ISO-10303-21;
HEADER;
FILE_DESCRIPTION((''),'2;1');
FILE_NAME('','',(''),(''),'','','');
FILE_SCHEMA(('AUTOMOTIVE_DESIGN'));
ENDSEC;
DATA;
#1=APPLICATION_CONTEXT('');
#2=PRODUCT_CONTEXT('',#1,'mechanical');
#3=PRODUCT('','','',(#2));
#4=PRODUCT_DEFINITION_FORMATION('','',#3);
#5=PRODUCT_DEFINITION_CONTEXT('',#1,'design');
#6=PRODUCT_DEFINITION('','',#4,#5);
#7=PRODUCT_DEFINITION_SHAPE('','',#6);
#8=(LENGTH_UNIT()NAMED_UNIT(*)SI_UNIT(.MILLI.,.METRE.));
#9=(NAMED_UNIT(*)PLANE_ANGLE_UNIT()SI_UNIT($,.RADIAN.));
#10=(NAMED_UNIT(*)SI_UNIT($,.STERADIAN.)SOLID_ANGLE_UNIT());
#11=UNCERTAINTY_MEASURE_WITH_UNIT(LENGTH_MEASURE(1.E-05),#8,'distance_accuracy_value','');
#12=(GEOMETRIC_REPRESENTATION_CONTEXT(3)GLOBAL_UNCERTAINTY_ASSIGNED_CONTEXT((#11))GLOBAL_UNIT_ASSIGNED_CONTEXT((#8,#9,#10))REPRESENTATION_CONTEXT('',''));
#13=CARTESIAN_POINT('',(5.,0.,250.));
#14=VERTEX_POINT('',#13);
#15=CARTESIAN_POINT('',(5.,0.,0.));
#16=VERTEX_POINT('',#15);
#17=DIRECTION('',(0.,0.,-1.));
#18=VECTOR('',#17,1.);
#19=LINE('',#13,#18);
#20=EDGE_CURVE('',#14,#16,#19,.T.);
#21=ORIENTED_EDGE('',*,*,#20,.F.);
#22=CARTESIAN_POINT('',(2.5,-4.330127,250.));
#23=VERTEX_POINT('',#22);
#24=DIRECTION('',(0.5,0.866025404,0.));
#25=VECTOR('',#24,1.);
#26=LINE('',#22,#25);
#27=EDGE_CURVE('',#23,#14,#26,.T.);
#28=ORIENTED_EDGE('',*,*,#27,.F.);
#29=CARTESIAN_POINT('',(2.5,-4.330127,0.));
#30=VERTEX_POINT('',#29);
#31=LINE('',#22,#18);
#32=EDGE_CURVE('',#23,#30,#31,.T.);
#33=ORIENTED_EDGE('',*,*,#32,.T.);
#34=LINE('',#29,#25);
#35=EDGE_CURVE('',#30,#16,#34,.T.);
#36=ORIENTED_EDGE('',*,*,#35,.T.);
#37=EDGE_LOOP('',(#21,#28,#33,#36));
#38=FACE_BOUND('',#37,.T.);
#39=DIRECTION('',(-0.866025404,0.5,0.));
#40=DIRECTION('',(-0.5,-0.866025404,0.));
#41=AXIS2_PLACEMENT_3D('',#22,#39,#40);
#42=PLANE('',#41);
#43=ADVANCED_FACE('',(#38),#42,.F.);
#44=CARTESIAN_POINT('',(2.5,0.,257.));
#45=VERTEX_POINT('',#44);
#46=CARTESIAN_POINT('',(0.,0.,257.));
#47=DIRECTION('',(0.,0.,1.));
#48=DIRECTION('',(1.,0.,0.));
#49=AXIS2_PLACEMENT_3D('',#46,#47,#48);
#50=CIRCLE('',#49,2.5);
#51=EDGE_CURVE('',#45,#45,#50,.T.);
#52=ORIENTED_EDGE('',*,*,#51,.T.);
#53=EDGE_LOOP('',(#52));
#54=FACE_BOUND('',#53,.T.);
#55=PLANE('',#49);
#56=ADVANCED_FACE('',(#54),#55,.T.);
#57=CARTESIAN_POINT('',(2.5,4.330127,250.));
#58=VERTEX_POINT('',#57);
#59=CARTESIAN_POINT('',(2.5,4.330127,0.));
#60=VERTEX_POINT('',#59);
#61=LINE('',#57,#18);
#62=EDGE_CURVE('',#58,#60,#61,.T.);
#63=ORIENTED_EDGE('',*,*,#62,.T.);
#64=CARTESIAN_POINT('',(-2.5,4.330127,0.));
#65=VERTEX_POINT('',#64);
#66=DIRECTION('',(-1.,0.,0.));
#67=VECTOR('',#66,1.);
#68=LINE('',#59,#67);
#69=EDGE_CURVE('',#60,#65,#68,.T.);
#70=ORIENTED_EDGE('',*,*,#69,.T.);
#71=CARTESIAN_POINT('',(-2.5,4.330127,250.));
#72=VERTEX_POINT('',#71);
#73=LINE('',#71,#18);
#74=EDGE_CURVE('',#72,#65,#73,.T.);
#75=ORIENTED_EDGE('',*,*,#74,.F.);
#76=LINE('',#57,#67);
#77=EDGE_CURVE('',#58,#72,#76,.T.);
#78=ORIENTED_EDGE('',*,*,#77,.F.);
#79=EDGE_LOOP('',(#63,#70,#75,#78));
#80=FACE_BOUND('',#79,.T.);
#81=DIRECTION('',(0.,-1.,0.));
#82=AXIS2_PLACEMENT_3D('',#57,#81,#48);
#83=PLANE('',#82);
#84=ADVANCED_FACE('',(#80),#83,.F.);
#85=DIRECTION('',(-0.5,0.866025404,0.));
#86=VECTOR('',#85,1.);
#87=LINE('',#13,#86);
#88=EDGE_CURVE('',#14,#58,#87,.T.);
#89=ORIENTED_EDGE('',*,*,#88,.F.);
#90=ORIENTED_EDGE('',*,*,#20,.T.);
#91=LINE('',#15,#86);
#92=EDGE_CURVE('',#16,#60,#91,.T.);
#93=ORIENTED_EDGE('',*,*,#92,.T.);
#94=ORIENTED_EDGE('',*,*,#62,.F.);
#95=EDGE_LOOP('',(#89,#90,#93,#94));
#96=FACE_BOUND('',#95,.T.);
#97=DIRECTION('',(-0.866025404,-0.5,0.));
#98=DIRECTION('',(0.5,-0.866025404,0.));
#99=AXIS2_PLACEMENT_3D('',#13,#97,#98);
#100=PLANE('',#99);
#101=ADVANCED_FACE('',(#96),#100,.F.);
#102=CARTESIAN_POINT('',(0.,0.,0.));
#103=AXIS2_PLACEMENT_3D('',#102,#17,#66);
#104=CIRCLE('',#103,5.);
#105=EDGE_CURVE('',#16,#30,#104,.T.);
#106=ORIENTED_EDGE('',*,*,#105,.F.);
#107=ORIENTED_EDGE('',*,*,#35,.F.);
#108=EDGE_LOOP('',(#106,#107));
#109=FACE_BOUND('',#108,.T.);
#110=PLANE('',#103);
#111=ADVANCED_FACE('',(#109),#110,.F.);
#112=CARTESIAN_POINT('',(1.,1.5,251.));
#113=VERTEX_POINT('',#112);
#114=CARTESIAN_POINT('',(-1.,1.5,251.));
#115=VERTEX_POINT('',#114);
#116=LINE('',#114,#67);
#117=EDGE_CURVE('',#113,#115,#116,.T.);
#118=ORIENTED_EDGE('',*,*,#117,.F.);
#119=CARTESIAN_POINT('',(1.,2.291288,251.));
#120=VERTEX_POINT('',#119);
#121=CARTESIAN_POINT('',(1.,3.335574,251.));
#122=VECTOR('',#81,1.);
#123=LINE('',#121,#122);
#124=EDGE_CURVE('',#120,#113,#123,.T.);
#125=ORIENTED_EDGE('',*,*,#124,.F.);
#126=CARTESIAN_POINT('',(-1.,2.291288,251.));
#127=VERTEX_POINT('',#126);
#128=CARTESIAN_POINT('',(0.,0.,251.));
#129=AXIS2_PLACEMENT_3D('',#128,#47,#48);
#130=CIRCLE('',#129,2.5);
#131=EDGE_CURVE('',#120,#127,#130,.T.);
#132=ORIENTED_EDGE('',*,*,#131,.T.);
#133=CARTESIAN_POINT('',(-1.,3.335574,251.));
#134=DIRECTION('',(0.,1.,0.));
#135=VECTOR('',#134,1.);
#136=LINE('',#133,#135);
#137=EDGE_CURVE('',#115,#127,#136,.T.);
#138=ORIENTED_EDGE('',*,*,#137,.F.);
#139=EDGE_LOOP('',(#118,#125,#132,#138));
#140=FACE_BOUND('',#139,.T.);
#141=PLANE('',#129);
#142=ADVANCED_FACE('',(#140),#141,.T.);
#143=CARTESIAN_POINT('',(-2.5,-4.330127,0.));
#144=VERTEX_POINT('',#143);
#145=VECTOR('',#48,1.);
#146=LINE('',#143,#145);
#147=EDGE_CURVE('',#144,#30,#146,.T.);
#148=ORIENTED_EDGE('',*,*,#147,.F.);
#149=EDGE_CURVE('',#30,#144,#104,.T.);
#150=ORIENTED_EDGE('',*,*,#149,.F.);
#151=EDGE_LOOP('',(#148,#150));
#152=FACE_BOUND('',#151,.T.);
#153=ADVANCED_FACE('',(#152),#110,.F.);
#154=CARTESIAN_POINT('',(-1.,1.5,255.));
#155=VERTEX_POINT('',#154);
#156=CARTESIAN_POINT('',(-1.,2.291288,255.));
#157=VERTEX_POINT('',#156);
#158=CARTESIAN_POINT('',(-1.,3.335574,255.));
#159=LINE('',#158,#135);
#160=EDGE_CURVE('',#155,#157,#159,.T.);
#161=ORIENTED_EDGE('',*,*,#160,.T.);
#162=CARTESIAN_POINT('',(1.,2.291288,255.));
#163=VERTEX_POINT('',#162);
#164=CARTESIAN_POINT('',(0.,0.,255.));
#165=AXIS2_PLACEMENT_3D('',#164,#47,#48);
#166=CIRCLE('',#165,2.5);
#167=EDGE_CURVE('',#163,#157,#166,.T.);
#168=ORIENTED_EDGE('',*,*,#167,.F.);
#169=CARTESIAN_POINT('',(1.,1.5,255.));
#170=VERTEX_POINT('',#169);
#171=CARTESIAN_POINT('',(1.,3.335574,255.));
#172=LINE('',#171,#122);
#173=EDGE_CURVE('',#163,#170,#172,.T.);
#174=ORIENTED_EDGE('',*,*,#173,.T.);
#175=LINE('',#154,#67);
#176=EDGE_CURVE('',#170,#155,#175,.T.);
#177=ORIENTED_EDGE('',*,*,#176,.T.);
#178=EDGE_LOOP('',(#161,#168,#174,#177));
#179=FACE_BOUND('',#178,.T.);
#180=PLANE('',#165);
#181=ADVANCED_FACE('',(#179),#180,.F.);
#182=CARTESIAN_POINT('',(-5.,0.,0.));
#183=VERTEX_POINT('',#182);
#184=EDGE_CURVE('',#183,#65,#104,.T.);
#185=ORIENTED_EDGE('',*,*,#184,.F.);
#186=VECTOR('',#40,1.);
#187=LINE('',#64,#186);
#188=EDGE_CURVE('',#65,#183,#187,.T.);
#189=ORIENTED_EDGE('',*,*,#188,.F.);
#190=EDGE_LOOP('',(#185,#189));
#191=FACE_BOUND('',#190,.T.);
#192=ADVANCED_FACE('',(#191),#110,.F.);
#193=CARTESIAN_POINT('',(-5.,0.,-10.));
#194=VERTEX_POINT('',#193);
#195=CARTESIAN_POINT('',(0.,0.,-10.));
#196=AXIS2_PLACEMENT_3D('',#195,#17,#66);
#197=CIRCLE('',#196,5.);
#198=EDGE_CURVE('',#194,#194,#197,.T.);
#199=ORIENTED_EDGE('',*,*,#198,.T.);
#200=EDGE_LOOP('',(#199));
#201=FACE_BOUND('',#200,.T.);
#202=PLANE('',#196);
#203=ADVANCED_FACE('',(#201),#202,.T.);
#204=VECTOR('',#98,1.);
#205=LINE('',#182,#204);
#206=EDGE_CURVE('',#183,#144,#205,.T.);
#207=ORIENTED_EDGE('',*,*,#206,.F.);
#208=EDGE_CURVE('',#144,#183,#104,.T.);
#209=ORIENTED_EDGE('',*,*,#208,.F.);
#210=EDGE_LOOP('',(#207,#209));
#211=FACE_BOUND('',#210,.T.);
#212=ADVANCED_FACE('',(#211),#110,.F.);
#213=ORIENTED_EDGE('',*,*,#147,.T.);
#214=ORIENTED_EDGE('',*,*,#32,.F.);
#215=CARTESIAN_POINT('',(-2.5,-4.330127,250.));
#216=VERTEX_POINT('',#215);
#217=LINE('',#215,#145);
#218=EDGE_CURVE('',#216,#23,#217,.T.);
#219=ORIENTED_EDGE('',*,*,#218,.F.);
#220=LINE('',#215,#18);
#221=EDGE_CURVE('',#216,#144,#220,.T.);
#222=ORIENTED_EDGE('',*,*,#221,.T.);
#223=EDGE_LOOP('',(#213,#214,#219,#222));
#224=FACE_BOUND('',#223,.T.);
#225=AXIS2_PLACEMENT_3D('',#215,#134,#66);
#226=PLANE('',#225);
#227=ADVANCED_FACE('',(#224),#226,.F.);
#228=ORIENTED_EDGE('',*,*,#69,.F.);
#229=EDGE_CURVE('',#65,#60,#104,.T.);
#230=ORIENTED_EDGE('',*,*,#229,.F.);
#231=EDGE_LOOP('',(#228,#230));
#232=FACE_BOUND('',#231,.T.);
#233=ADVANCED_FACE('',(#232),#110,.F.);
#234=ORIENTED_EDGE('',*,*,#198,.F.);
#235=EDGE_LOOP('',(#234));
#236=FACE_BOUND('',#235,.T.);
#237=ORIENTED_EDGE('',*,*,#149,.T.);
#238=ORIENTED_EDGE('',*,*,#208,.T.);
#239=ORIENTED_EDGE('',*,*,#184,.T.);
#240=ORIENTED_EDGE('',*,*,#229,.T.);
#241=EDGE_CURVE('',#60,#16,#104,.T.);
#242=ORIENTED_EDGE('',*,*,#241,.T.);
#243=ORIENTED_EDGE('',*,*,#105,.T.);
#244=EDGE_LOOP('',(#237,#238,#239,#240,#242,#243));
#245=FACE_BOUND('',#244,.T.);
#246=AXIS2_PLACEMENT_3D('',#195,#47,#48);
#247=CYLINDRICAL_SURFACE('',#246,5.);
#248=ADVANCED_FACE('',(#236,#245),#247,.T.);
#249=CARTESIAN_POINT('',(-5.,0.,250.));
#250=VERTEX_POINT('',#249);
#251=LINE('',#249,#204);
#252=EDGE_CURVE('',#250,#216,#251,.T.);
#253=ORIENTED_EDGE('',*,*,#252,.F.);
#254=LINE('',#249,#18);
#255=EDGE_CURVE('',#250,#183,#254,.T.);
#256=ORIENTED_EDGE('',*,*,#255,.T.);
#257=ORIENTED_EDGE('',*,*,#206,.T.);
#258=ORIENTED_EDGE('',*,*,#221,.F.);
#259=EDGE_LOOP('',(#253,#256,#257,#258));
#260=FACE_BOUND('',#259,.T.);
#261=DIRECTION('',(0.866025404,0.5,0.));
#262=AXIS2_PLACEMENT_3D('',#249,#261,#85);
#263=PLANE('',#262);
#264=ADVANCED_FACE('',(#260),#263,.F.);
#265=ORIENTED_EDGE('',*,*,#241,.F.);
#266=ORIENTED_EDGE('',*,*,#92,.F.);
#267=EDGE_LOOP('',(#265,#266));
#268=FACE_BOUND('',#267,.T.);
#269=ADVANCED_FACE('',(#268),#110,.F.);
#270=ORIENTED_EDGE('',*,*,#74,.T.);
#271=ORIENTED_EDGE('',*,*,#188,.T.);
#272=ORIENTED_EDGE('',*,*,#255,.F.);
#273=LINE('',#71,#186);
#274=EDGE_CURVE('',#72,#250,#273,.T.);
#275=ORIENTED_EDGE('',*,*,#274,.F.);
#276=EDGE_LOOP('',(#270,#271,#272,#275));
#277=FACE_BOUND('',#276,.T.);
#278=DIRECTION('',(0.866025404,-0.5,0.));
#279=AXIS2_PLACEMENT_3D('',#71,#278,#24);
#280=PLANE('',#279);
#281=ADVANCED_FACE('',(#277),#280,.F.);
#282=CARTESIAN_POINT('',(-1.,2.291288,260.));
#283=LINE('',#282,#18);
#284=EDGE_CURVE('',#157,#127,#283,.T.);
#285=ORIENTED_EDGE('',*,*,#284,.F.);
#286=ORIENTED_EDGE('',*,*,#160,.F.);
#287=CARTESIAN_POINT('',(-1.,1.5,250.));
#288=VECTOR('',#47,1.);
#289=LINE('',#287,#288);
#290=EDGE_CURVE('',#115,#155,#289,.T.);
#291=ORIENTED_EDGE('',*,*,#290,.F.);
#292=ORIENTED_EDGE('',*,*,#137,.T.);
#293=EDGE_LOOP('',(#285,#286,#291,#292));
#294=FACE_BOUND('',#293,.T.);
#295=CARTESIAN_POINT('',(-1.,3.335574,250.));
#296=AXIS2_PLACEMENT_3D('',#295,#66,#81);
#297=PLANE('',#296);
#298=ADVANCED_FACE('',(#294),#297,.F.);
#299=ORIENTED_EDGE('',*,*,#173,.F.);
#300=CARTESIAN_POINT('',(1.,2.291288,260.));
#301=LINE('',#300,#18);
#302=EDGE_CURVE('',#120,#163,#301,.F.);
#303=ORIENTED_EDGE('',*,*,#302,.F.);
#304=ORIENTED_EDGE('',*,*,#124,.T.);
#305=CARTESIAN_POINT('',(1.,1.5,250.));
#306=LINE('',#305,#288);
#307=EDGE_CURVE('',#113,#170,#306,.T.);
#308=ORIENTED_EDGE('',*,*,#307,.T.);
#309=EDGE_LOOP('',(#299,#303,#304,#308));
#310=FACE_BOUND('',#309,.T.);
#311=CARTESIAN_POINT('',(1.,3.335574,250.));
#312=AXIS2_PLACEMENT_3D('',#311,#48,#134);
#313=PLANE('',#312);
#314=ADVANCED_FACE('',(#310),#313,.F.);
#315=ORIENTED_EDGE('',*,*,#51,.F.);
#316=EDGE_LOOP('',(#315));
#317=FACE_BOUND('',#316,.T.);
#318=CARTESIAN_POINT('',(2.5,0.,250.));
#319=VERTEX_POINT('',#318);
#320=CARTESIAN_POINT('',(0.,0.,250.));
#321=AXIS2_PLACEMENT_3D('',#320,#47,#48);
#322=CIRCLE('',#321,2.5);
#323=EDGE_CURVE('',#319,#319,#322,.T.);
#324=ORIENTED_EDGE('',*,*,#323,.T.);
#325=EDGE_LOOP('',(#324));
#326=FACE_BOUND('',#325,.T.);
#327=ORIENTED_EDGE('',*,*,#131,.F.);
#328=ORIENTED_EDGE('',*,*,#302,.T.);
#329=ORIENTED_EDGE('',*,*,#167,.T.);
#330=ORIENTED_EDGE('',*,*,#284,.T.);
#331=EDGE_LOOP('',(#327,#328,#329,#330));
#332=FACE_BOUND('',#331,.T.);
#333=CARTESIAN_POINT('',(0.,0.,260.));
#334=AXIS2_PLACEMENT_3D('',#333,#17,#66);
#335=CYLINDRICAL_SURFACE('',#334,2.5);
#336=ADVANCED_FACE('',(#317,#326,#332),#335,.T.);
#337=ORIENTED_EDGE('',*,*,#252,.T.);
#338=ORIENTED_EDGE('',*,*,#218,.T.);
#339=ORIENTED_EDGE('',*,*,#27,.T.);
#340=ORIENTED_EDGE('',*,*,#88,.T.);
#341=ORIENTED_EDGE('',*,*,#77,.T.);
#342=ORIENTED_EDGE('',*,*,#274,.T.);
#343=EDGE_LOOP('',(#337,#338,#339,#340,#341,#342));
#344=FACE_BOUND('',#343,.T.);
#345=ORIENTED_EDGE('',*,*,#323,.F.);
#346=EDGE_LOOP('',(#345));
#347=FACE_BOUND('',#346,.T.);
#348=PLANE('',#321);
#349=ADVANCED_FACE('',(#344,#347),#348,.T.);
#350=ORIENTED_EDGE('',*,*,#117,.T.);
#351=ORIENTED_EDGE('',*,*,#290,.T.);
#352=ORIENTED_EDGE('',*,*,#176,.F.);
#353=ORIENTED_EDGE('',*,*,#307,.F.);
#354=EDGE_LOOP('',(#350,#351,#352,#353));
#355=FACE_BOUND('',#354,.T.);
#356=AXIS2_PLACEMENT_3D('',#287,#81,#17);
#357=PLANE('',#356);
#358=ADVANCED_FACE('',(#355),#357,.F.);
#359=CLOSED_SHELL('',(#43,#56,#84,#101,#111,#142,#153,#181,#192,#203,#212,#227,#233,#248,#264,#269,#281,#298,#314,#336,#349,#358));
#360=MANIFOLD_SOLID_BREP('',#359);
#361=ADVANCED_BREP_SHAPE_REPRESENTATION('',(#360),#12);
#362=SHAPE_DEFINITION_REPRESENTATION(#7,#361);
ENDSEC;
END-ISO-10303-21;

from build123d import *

# Parameters (mm, degrees)
EXTRUDE_1_DEPTH     = 250
SKETCH_2_R          = 2.5
EXTRUDE_2_DEPTH     = 10
SKETCH_3_R          = 5
EXTRUDE_3_DEPTH     = 10
SKETCH_4_W          = 2
SKETCH_4_H          = 1.835573614
CUT_EXTRUDE_1_DEPTH = 10
EXTRUDE_START       = -5
SKETCH_6_R          = 2.5
EXTRUDE_5_DEPTH     = 5
SKETCH_9_R          = 2.5
EXTRUDE_7_DEPTH     = 5
SKETCH_10_R         = 2.5
CUT_EXTRUDE_3_DEPTH = 3
CUT_EXTRUDE_START   = -3
SKETCH_11_R         = 2.5
CUT_EXTRUDE_4_DEPTH = 3
EXTRUDE_START_2     = -10
SKETCH_12_R         = 5
EXTRUDE_8_DEPTH     = 10
SKETCH_14_R         = 2.5
EXTRUDE_10_DEPTH    = 1


with BuildPart() as part:
    # 草图1 → 凸台-拉伸1 (new body)
    with BuildSketch(Plane.XY):
        Polygon((5, 0), (2.5, 4.330127019), (-2.5, 4.330127019), (-5, 0), (-2.5, -4.330127019), (2.5, -4.330127019), align=None)
    extrude(amount=EXTRUDE_1_DEPTH)

    # 草图2 → 凸台-拉伸2 (add)
    with BuildSketch(Plane.XY.offset(250)):
        Circle(SKETCH_2_R)
    extrude(amount=EXTRUDE_2_DEPTH)

    # 草图3 → 凸台-拉伸3 (add)
    with BuildSketch(Plane(origin=(0, 0, 0), x_dir=(-1, 0, 0), z_dir=(0, 0, -1))):
        Circle(SKETCH_3_R)
    extrude(amount=EXTRUDE_3_DEPTH)

    # 草图4 → 切除-拉伸1 (cut)
    with BuildSketch(Plane.XY.offset(260)):
        with Locations((0, 2.417786807)):
            Rectangle(SKETCH_4_W, SKETCH_4_H)
    extrude(amount=-CUT_EXTRUDE_1_DEPTH, mode=Mode.SUBTRACT)

    # 草图6 → 凸台-拉伸5 (add)
    with BuildSketch(Plane.XY.offset(260).offset(EXTRUDE_START)):
        with Locations(Location((0, 0, 0), (0, 0, 113.578178478))):
            Circle(SKETCH_6_R)
    extrude(amount=EXTRUDE_5_DEPTH)

    # 草图9 → 凸台-拉伸7 (add)
    with BuildSketch(Plane(origin=(0, 0, -10), x_dir=(-1, 0, 0), z_dir=(0, 0, -1))):
        with Locations(Location((0, 0, 0), (0, 0, 66.421821522))):
            Circle(SKETCH_9_R)
    extrude(amount=-EXTRUDE_7_DEPTH)

    # 草图10 → 切除-拉伸3 (cut)
    with BuildSketch(Plane(origin=(0, 0, -10), x_dir=(-1, 0, 0), z_dir=(0, 0, -1))):
        with Locations(Location((0, 0, 0), (0, 0, 66.421821522))):
            Circle(SKETCH_10_R)
    extrude(amount=-CUT_EXTRUDE_3_DEPTH, mode=Mode.SUBTRACT)

    # 草图11 → 切除-拉伸4 (cut)
    with BuildSketch(Plane.XY.offset(260).offset(CUT_EXTRUDE_START)):
        with Locations(Location((0, 0, 0), (0, 0, 113.578178478))):
            Circle(SKETCH_11_R)
    extrude(amount=CUT_EXTRUDE_4_DEPTH, mode=Mode.SUBTRACT)

    # 草图12 → 凸台-拉伸8 (add)
    with BuildSketch(Plane(origin=(0, 0, -10), x_dir=(-1, 0, 0), z_dir=(0, 0, -1)).offset(EXTRUDE_START_2)):
        Circle(SKETCH_12_R)
    extrude(amount=EXTRUDE_8_DEPTH)

    # 草图14 → 凸台-拉伸10 (add)
    with BuildSketch(Plane.XY.offset(250)):
        Circle(SKETCH_14_R)
    extrude(amount=EXTRUDE_10_DEPTH)


solid = part.part
